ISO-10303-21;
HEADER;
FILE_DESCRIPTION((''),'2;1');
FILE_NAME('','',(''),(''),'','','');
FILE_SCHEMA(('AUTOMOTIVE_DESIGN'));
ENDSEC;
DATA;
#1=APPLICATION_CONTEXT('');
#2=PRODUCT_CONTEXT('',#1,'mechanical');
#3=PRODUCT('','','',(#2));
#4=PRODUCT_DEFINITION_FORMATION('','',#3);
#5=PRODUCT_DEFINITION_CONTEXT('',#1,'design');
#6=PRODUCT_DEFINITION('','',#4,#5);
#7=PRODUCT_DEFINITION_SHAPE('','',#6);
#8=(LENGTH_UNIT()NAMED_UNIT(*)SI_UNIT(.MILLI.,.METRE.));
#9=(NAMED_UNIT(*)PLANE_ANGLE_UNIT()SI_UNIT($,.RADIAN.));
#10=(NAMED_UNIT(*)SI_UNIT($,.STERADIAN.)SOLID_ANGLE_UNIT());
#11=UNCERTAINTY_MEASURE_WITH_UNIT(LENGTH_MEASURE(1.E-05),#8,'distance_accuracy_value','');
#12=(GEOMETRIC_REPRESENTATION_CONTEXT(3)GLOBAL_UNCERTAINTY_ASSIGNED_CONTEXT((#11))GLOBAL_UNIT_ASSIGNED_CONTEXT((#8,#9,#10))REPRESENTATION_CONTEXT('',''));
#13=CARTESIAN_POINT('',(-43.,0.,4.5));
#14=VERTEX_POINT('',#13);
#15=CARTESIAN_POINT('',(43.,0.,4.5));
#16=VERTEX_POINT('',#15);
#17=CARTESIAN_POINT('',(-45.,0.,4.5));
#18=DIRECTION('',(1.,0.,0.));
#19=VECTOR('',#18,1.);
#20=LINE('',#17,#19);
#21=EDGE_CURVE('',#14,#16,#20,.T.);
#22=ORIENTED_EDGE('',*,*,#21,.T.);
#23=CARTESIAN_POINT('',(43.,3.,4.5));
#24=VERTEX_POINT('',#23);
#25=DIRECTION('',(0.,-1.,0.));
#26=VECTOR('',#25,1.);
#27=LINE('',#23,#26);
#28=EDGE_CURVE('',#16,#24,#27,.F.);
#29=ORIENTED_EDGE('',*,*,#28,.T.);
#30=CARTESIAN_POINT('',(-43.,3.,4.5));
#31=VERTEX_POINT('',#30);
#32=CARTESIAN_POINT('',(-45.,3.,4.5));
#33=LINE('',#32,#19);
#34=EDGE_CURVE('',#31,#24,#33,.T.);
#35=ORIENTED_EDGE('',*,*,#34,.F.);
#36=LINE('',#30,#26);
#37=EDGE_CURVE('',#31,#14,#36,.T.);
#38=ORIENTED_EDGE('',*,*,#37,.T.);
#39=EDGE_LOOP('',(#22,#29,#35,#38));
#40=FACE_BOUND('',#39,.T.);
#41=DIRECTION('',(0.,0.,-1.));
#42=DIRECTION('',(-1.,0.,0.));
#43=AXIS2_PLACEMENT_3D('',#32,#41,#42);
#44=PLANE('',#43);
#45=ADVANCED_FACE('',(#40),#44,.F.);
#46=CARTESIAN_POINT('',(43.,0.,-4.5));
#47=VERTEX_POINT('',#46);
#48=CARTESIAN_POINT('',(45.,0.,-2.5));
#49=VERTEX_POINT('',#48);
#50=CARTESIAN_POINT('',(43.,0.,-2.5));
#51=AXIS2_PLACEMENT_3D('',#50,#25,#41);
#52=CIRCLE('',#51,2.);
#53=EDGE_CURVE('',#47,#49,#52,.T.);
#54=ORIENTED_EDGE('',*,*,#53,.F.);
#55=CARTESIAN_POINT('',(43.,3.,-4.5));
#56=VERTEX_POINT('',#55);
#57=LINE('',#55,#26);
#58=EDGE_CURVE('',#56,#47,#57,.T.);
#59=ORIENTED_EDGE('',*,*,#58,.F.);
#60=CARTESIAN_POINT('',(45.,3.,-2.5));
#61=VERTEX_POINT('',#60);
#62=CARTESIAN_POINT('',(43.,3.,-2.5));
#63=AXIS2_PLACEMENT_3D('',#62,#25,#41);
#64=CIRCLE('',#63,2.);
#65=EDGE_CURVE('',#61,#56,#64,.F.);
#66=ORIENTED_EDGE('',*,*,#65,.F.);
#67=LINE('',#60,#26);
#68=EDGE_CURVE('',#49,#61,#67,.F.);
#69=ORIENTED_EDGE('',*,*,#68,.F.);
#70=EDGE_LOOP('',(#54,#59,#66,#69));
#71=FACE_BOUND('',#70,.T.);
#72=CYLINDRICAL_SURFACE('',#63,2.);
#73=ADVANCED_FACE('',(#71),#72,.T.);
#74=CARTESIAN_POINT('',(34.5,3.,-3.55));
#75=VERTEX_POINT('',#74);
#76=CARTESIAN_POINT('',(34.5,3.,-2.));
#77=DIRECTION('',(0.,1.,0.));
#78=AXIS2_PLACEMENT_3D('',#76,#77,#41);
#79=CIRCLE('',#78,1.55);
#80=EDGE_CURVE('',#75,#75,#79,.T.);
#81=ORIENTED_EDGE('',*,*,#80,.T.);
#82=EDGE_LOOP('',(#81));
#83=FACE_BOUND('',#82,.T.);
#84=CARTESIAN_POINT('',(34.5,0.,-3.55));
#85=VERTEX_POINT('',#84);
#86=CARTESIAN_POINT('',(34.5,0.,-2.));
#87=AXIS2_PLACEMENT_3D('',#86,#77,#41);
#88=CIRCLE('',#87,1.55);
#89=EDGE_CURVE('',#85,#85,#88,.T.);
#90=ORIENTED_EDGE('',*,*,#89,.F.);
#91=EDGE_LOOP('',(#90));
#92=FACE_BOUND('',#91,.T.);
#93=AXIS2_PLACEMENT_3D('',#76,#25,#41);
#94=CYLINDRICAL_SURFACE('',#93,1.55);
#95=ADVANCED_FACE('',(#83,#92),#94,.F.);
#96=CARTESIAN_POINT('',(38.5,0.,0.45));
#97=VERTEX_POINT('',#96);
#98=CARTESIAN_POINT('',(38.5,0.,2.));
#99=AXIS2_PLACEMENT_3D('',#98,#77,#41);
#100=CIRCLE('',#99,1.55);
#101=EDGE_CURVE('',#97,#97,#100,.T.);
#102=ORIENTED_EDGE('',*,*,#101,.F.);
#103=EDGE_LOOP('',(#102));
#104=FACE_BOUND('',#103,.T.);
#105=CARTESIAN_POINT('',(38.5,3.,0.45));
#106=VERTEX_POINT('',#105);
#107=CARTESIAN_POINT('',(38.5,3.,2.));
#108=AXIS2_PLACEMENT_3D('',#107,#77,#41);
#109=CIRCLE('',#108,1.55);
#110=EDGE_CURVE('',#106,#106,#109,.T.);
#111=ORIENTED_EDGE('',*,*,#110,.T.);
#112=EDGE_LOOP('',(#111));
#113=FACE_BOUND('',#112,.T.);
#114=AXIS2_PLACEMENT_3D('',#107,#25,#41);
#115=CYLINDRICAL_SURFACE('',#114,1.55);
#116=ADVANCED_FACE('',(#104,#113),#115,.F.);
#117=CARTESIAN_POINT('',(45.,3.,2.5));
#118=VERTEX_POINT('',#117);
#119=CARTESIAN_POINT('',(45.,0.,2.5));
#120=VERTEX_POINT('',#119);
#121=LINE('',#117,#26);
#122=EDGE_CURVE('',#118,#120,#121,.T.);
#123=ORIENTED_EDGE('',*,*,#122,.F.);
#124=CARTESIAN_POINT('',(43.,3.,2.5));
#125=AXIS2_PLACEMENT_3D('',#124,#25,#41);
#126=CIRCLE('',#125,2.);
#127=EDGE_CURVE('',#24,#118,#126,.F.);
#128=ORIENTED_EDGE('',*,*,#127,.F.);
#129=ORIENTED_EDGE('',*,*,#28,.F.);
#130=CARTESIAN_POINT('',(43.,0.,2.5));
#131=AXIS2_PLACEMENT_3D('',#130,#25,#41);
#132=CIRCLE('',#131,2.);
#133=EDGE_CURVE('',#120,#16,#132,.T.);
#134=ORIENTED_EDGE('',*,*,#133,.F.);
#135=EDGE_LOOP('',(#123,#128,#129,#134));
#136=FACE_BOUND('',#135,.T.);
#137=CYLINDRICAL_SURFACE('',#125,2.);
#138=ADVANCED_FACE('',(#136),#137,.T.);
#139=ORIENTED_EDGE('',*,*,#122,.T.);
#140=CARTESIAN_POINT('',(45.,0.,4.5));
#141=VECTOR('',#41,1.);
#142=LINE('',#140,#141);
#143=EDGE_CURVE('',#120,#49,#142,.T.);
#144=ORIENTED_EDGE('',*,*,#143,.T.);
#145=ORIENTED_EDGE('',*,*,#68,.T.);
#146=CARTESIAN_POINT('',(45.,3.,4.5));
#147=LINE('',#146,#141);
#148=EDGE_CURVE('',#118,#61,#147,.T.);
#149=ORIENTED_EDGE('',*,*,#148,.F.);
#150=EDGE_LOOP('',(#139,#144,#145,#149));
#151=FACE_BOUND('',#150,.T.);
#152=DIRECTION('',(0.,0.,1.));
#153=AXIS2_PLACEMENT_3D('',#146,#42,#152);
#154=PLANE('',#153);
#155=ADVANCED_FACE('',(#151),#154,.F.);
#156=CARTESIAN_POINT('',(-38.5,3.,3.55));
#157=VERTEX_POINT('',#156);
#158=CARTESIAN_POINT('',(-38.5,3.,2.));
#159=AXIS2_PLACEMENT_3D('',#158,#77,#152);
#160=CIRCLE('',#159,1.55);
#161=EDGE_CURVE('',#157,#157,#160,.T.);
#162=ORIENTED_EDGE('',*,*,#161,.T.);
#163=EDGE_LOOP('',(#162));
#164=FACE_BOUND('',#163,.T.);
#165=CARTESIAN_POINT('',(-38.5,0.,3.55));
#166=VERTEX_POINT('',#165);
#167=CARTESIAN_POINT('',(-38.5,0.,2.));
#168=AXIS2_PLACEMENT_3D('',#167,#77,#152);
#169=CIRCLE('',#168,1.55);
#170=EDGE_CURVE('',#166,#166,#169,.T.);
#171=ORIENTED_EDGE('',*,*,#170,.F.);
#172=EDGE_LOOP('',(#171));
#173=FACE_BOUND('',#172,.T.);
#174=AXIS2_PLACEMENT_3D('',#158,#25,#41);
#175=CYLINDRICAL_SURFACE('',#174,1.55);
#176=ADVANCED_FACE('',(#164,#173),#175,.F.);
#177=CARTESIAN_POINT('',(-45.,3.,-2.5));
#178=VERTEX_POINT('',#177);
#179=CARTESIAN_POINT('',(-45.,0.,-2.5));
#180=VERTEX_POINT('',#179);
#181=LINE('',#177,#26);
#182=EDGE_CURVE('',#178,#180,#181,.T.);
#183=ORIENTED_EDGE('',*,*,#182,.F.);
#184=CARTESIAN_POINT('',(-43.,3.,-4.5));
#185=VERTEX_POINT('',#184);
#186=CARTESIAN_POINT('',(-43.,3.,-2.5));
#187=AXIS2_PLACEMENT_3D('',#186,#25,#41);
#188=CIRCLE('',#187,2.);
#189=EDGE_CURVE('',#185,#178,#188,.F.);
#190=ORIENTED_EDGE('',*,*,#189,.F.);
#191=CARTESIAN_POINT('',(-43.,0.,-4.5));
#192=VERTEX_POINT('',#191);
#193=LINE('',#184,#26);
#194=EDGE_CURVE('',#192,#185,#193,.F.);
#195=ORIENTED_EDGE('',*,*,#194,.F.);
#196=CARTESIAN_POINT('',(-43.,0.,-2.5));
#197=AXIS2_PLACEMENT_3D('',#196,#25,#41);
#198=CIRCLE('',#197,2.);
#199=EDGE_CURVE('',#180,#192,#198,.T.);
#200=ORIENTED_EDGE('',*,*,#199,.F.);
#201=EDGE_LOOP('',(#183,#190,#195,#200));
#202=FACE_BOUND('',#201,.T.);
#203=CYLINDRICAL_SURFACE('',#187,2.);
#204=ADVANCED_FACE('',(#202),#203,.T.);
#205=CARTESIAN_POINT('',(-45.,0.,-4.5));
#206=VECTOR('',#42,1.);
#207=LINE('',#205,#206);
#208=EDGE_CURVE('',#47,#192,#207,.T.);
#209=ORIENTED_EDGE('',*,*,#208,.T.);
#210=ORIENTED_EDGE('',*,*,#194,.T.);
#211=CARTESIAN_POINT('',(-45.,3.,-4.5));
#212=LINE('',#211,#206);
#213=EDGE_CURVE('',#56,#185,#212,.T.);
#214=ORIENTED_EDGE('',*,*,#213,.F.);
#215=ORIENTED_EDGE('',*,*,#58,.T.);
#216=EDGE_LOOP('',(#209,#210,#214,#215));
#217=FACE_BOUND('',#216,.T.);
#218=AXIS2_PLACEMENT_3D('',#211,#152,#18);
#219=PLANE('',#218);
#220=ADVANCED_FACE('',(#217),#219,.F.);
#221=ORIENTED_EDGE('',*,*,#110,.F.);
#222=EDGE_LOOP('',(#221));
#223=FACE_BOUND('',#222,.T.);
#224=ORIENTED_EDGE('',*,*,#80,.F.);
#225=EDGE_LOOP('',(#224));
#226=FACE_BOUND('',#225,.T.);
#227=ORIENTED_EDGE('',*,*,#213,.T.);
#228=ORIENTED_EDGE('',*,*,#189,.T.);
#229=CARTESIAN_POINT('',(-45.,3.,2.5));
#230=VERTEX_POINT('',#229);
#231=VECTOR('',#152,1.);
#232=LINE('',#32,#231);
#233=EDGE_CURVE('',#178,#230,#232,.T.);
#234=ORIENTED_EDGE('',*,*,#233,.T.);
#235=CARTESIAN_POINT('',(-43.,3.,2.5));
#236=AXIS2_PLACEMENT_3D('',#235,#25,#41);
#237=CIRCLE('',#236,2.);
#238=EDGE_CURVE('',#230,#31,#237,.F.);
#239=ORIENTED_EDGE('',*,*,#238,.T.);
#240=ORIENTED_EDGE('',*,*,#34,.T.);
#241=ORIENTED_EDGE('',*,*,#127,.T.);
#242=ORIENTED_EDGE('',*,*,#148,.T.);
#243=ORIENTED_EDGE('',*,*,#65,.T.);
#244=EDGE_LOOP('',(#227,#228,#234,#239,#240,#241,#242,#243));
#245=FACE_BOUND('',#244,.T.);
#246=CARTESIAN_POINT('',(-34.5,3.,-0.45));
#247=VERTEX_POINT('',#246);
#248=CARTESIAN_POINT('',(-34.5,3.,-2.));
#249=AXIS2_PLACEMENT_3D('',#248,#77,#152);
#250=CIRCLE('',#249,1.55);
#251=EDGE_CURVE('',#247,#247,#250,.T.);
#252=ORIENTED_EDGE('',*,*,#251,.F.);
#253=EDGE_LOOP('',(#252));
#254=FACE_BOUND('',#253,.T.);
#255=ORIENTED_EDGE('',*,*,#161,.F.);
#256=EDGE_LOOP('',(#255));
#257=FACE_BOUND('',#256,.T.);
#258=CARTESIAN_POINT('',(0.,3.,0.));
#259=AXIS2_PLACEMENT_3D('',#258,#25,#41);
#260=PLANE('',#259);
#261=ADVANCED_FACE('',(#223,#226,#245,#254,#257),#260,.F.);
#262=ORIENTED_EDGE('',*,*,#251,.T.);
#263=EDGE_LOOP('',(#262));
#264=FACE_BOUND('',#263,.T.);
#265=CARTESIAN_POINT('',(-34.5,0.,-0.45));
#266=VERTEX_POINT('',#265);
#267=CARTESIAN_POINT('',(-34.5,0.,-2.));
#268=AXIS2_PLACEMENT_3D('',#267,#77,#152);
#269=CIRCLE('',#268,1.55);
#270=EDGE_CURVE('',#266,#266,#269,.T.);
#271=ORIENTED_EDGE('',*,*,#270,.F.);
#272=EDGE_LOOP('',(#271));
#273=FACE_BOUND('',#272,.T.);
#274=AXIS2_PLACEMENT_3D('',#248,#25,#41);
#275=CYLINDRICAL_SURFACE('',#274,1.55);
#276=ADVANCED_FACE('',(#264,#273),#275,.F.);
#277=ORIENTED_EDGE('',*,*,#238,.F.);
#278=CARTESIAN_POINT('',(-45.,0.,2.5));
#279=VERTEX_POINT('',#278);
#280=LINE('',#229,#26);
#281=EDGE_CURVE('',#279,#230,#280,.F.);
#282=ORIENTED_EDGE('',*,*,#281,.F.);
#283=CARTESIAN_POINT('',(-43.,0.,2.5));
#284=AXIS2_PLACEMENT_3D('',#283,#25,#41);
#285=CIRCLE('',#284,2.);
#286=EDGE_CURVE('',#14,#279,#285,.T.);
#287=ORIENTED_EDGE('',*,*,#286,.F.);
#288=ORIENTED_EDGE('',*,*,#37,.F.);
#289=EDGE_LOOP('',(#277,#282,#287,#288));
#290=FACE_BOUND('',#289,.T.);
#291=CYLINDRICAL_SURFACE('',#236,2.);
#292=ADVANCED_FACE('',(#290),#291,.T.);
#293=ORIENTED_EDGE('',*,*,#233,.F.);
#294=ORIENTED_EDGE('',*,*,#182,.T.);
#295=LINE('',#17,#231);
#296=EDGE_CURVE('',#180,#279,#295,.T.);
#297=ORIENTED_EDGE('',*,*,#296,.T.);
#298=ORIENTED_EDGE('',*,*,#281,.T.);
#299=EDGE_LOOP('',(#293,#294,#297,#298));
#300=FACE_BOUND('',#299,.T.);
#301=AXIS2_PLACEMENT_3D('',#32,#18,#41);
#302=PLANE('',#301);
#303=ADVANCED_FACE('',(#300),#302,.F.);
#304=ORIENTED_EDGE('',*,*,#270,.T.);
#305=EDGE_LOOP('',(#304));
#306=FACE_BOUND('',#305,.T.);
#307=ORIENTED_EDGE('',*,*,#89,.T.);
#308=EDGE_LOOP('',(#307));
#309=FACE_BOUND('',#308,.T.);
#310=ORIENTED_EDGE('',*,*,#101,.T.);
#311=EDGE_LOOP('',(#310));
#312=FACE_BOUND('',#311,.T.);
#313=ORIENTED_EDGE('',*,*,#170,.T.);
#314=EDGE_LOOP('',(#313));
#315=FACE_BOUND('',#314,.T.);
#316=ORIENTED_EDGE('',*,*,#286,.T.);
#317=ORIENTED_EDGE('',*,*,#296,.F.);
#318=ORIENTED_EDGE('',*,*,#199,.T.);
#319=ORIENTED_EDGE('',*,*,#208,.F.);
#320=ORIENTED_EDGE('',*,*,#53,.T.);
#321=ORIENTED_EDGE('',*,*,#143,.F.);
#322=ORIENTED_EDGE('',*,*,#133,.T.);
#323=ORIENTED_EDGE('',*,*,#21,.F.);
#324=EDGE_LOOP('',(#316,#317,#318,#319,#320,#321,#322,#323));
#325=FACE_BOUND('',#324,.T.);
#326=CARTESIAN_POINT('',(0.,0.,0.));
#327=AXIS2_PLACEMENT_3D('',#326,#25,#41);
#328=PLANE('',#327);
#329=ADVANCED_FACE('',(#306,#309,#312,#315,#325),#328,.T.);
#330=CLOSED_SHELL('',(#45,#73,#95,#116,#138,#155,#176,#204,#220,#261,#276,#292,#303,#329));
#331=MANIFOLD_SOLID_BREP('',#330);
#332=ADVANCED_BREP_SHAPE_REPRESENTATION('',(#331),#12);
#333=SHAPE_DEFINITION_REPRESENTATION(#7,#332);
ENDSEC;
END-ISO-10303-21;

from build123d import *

# Parameters (mm, degrees)
SKETCH_1_W      = 90
SKETCH_1_H      = 9
SKETCH_1_R      = 1.55
EXTRUDE_2_DEPTH = 3
FILLET_1_R      = 2


with BuildPart() as part:
    # 草图1 → 凸台-拉伸2 (new body)
    with BuildSketch(Plane(origin=(0, 0, 0), x_dir=(1, 0, 0), z_dir=(0, 1, 0))):
        Rectangle(SKETCH_1_W, SKETCH_1_H)
        with Locations((-38.5, -2)):
            Circle(SKETCH_1_R, mode=Mode.SUBTRACT)
        with Locations((-34.5, 2)):
            Circle(SKETCH_1_R, mode=Mode.SUBTRACT)
        with Locations((38.5, -2)):
            Circle(SKETCH_1_R, mode=Mode.SUBTRACT)
        with Locations((34.5, 2)):
            Circle(SKETCH_1_R, mode=Mode.SUBTRACT)
    extrude(amount=EXTRUDE_2_DEPTH)

    # 圆角1
    fillet_1_edges = [part.edges().sort_by_distance(p)[0] for p in [
        (45, 1.5, 4.5),
        (-45, 1.5, 4.5),
        (-45, 1.5, -4.5),
        (45, 1.5, -4.5),
    ]]
    fillet(fillet_1_edges, radius=FILLET_1_R)


solid = part.part
